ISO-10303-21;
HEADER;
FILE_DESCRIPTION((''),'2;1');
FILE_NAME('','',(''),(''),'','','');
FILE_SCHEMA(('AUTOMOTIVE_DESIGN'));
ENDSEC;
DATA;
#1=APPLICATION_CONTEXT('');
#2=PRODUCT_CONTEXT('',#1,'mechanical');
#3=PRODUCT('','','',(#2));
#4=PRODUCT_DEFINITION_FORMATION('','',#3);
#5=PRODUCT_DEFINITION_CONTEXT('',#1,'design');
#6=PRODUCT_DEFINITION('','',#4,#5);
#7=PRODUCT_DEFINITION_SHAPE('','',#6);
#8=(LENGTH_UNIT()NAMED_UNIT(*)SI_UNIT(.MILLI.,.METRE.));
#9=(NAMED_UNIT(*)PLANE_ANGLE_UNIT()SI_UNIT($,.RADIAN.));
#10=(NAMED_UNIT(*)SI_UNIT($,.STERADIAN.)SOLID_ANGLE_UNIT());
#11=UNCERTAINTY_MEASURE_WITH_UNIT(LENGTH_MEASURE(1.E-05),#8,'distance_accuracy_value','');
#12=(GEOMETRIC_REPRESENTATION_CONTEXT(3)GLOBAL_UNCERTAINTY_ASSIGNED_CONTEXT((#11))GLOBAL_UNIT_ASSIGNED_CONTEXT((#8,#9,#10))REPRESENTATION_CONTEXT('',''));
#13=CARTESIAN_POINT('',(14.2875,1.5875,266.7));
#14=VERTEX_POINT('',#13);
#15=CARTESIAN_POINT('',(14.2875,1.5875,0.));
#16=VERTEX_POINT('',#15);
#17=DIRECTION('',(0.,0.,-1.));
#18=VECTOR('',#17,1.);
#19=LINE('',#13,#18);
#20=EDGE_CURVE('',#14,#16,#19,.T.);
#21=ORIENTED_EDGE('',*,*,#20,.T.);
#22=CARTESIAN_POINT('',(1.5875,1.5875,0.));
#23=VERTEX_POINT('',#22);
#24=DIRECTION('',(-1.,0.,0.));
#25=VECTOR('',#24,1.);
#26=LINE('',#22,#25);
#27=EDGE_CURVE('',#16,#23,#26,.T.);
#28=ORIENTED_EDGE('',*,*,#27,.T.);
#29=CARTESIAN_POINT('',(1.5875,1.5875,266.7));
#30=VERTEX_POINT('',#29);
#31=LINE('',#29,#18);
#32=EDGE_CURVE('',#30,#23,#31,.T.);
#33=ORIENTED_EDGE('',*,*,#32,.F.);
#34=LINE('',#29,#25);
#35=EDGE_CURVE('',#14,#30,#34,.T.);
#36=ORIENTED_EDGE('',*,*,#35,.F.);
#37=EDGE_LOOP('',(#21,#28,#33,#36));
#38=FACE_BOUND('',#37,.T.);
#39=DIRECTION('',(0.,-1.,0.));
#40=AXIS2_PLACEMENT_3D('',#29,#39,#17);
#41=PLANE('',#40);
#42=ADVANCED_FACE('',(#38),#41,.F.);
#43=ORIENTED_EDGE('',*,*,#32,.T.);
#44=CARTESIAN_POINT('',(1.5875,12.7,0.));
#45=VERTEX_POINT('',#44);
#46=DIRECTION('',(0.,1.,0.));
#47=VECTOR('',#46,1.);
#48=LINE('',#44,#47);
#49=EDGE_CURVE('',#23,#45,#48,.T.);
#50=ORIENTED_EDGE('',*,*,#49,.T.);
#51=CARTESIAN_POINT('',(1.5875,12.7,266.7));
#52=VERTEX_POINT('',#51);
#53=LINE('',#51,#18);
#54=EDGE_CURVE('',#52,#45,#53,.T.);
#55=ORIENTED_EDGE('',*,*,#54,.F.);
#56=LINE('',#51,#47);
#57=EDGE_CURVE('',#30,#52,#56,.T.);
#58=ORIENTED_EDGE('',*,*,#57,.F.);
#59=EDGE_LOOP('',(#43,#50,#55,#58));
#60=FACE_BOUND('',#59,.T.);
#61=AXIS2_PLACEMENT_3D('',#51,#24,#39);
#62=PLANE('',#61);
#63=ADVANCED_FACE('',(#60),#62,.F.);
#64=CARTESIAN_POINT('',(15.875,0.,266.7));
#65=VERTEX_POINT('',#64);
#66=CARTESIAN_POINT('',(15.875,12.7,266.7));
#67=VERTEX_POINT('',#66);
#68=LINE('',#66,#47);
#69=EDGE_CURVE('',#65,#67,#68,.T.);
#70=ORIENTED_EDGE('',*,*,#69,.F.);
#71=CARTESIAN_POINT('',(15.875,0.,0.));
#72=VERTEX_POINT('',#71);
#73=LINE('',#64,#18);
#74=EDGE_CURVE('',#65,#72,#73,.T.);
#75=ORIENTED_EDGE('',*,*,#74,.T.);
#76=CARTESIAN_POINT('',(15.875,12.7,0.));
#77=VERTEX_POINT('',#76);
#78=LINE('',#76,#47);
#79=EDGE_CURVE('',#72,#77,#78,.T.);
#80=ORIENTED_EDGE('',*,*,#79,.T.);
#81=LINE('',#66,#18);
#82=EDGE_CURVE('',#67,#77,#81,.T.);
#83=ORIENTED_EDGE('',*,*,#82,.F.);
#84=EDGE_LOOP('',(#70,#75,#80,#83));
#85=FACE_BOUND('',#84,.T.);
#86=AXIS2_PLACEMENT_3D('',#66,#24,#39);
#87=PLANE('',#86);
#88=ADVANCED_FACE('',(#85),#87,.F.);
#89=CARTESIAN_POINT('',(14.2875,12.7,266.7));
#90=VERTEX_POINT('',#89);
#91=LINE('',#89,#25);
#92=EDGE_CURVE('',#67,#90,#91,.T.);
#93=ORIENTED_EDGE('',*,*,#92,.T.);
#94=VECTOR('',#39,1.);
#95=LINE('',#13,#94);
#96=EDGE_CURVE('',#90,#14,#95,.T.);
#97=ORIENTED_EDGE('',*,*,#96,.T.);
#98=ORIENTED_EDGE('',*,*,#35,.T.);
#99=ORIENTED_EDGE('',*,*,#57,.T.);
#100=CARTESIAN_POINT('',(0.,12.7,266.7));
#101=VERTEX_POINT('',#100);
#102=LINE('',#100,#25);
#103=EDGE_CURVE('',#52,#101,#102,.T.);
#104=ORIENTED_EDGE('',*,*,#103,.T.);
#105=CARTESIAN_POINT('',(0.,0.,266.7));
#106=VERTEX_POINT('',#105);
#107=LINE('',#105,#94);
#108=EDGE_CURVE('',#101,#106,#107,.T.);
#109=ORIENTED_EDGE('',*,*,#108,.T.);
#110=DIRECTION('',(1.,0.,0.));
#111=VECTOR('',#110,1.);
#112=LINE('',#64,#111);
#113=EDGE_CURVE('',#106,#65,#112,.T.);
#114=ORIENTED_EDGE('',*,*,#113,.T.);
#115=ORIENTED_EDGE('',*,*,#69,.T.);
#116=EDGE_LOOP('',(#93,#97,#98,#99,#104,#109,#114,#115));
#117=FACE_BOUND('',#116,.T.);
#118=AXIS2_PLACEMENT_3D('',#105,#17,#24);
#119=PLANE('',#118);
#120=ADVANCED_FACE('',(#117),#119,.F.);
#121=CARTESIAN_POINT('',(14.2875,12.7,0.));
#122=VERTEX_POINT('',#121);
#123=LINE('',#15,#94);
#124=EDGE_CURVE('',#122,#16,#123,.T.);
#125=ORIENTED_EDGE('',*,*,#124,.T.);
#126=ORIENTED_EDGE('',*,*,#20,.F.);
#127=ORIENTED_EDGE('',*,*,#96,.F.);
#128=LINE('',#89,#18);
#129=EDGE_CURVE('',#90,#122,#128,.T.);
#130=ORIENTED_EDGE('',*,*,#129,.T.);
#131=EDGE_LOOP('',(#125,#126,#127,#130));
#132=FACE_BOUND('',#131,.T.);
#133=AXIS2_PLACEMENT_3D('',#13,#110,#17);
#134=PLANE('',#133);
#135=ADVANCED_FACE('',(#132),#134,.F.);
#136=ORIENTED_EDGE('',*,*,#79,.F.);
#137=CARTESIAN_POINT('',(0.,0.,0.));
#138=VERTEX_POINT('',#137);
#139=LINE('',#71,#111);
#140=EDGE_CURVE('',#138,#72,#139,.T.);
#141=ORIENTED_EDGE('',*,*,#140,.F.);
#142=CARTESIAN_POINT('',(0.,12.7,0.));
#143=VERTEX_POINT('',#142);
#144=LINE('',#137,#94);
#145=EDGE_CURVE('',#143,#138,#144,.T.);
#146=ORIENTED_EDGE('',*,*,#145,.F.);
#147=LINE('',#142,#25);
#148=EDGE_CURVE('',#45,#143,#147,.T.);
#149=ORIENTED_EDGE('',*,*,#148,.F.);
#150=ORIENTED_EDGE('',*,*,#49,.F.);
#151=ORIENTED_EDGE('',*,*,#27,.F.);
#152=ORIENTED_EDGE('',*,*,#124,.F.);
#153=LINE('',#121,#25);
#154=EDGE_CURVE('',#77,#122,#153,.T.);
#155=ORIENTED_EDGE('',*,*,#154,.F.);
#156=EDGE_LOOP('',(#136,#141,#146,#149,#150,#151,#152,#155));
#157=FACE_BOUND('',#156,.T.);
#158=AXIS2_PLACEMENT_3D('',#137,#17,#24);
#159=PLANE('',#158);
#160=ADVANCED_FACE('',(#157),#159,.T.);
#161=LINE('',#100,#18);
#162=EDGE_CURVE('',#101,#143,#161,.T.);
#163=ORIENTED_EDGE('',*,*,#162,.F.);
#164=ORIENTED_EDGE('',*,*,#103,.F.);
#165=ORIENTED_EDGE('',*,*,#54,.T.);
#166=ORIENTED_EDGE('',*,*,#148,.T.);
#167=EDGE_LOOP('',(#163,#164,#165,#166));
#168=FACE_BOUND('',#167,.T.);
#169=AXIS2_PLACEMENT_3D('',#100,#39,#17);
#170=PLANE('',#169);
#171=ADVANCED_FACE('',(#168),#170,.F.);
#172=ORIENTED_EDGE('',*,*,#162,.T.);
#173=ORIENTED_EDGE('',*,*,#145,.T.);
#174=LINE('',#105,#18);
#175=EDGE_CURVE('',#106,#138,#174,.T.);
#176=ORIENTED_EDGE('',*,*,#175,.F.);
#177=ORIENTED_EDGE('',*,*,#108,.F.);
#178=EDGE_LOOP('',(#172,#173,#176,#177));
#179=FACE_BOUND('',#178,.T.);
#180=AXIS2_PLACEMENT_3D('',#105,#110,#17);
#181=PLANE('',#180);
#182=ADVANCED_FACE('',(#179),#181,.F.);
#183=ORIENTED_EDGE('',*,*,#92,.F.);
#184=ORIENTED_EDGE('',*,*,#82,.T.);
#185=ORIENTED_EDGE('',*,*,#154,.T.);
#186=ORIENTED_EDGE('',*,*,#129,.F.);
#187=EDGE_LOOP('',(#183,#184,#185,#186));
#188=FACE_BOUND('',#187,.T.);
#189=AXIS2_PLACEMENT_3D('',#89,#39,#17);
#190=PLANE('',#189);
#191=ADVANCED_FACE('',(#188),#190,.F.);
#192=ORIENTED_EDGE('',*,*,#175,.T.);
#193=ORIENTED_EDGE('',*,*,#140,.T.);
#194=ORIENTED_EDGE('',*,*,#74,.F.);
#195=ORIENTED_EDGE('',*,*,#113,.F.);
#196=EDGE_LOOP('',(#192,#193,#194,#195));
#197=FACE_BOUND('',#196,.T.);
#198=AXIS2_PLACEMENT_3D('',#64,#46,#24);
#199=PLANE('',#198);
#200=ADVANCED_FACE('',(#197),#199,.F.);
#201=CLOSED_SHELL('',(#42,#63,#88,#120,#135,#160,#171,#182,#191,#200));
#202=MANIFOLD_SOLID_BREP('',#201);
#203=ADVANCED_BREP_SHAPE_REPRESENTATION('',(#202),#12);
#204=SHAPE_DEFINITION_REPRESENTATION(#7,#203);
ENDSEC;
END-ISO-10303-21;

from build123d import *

# Parameters (mm, degrees)
BOSS_EXTRUDE1_DEPTH = 266.7


with BuildPart() as part:
    # Sketch1 → Boss-Extrude1 (new body)
    with BuildSketch(Plane.XY):
        Polygon((0, 0), (0, 12.7), (1.5875, 12.7), (1.5875, 1.5875), (14.2875, 1.5875), (14.2875, 12.7), (15.875, 12.7), (15.875, 0), align=None)
    extrude(amount=BOSS_EXTRUDE1_DEPTH)


solid = part.part
